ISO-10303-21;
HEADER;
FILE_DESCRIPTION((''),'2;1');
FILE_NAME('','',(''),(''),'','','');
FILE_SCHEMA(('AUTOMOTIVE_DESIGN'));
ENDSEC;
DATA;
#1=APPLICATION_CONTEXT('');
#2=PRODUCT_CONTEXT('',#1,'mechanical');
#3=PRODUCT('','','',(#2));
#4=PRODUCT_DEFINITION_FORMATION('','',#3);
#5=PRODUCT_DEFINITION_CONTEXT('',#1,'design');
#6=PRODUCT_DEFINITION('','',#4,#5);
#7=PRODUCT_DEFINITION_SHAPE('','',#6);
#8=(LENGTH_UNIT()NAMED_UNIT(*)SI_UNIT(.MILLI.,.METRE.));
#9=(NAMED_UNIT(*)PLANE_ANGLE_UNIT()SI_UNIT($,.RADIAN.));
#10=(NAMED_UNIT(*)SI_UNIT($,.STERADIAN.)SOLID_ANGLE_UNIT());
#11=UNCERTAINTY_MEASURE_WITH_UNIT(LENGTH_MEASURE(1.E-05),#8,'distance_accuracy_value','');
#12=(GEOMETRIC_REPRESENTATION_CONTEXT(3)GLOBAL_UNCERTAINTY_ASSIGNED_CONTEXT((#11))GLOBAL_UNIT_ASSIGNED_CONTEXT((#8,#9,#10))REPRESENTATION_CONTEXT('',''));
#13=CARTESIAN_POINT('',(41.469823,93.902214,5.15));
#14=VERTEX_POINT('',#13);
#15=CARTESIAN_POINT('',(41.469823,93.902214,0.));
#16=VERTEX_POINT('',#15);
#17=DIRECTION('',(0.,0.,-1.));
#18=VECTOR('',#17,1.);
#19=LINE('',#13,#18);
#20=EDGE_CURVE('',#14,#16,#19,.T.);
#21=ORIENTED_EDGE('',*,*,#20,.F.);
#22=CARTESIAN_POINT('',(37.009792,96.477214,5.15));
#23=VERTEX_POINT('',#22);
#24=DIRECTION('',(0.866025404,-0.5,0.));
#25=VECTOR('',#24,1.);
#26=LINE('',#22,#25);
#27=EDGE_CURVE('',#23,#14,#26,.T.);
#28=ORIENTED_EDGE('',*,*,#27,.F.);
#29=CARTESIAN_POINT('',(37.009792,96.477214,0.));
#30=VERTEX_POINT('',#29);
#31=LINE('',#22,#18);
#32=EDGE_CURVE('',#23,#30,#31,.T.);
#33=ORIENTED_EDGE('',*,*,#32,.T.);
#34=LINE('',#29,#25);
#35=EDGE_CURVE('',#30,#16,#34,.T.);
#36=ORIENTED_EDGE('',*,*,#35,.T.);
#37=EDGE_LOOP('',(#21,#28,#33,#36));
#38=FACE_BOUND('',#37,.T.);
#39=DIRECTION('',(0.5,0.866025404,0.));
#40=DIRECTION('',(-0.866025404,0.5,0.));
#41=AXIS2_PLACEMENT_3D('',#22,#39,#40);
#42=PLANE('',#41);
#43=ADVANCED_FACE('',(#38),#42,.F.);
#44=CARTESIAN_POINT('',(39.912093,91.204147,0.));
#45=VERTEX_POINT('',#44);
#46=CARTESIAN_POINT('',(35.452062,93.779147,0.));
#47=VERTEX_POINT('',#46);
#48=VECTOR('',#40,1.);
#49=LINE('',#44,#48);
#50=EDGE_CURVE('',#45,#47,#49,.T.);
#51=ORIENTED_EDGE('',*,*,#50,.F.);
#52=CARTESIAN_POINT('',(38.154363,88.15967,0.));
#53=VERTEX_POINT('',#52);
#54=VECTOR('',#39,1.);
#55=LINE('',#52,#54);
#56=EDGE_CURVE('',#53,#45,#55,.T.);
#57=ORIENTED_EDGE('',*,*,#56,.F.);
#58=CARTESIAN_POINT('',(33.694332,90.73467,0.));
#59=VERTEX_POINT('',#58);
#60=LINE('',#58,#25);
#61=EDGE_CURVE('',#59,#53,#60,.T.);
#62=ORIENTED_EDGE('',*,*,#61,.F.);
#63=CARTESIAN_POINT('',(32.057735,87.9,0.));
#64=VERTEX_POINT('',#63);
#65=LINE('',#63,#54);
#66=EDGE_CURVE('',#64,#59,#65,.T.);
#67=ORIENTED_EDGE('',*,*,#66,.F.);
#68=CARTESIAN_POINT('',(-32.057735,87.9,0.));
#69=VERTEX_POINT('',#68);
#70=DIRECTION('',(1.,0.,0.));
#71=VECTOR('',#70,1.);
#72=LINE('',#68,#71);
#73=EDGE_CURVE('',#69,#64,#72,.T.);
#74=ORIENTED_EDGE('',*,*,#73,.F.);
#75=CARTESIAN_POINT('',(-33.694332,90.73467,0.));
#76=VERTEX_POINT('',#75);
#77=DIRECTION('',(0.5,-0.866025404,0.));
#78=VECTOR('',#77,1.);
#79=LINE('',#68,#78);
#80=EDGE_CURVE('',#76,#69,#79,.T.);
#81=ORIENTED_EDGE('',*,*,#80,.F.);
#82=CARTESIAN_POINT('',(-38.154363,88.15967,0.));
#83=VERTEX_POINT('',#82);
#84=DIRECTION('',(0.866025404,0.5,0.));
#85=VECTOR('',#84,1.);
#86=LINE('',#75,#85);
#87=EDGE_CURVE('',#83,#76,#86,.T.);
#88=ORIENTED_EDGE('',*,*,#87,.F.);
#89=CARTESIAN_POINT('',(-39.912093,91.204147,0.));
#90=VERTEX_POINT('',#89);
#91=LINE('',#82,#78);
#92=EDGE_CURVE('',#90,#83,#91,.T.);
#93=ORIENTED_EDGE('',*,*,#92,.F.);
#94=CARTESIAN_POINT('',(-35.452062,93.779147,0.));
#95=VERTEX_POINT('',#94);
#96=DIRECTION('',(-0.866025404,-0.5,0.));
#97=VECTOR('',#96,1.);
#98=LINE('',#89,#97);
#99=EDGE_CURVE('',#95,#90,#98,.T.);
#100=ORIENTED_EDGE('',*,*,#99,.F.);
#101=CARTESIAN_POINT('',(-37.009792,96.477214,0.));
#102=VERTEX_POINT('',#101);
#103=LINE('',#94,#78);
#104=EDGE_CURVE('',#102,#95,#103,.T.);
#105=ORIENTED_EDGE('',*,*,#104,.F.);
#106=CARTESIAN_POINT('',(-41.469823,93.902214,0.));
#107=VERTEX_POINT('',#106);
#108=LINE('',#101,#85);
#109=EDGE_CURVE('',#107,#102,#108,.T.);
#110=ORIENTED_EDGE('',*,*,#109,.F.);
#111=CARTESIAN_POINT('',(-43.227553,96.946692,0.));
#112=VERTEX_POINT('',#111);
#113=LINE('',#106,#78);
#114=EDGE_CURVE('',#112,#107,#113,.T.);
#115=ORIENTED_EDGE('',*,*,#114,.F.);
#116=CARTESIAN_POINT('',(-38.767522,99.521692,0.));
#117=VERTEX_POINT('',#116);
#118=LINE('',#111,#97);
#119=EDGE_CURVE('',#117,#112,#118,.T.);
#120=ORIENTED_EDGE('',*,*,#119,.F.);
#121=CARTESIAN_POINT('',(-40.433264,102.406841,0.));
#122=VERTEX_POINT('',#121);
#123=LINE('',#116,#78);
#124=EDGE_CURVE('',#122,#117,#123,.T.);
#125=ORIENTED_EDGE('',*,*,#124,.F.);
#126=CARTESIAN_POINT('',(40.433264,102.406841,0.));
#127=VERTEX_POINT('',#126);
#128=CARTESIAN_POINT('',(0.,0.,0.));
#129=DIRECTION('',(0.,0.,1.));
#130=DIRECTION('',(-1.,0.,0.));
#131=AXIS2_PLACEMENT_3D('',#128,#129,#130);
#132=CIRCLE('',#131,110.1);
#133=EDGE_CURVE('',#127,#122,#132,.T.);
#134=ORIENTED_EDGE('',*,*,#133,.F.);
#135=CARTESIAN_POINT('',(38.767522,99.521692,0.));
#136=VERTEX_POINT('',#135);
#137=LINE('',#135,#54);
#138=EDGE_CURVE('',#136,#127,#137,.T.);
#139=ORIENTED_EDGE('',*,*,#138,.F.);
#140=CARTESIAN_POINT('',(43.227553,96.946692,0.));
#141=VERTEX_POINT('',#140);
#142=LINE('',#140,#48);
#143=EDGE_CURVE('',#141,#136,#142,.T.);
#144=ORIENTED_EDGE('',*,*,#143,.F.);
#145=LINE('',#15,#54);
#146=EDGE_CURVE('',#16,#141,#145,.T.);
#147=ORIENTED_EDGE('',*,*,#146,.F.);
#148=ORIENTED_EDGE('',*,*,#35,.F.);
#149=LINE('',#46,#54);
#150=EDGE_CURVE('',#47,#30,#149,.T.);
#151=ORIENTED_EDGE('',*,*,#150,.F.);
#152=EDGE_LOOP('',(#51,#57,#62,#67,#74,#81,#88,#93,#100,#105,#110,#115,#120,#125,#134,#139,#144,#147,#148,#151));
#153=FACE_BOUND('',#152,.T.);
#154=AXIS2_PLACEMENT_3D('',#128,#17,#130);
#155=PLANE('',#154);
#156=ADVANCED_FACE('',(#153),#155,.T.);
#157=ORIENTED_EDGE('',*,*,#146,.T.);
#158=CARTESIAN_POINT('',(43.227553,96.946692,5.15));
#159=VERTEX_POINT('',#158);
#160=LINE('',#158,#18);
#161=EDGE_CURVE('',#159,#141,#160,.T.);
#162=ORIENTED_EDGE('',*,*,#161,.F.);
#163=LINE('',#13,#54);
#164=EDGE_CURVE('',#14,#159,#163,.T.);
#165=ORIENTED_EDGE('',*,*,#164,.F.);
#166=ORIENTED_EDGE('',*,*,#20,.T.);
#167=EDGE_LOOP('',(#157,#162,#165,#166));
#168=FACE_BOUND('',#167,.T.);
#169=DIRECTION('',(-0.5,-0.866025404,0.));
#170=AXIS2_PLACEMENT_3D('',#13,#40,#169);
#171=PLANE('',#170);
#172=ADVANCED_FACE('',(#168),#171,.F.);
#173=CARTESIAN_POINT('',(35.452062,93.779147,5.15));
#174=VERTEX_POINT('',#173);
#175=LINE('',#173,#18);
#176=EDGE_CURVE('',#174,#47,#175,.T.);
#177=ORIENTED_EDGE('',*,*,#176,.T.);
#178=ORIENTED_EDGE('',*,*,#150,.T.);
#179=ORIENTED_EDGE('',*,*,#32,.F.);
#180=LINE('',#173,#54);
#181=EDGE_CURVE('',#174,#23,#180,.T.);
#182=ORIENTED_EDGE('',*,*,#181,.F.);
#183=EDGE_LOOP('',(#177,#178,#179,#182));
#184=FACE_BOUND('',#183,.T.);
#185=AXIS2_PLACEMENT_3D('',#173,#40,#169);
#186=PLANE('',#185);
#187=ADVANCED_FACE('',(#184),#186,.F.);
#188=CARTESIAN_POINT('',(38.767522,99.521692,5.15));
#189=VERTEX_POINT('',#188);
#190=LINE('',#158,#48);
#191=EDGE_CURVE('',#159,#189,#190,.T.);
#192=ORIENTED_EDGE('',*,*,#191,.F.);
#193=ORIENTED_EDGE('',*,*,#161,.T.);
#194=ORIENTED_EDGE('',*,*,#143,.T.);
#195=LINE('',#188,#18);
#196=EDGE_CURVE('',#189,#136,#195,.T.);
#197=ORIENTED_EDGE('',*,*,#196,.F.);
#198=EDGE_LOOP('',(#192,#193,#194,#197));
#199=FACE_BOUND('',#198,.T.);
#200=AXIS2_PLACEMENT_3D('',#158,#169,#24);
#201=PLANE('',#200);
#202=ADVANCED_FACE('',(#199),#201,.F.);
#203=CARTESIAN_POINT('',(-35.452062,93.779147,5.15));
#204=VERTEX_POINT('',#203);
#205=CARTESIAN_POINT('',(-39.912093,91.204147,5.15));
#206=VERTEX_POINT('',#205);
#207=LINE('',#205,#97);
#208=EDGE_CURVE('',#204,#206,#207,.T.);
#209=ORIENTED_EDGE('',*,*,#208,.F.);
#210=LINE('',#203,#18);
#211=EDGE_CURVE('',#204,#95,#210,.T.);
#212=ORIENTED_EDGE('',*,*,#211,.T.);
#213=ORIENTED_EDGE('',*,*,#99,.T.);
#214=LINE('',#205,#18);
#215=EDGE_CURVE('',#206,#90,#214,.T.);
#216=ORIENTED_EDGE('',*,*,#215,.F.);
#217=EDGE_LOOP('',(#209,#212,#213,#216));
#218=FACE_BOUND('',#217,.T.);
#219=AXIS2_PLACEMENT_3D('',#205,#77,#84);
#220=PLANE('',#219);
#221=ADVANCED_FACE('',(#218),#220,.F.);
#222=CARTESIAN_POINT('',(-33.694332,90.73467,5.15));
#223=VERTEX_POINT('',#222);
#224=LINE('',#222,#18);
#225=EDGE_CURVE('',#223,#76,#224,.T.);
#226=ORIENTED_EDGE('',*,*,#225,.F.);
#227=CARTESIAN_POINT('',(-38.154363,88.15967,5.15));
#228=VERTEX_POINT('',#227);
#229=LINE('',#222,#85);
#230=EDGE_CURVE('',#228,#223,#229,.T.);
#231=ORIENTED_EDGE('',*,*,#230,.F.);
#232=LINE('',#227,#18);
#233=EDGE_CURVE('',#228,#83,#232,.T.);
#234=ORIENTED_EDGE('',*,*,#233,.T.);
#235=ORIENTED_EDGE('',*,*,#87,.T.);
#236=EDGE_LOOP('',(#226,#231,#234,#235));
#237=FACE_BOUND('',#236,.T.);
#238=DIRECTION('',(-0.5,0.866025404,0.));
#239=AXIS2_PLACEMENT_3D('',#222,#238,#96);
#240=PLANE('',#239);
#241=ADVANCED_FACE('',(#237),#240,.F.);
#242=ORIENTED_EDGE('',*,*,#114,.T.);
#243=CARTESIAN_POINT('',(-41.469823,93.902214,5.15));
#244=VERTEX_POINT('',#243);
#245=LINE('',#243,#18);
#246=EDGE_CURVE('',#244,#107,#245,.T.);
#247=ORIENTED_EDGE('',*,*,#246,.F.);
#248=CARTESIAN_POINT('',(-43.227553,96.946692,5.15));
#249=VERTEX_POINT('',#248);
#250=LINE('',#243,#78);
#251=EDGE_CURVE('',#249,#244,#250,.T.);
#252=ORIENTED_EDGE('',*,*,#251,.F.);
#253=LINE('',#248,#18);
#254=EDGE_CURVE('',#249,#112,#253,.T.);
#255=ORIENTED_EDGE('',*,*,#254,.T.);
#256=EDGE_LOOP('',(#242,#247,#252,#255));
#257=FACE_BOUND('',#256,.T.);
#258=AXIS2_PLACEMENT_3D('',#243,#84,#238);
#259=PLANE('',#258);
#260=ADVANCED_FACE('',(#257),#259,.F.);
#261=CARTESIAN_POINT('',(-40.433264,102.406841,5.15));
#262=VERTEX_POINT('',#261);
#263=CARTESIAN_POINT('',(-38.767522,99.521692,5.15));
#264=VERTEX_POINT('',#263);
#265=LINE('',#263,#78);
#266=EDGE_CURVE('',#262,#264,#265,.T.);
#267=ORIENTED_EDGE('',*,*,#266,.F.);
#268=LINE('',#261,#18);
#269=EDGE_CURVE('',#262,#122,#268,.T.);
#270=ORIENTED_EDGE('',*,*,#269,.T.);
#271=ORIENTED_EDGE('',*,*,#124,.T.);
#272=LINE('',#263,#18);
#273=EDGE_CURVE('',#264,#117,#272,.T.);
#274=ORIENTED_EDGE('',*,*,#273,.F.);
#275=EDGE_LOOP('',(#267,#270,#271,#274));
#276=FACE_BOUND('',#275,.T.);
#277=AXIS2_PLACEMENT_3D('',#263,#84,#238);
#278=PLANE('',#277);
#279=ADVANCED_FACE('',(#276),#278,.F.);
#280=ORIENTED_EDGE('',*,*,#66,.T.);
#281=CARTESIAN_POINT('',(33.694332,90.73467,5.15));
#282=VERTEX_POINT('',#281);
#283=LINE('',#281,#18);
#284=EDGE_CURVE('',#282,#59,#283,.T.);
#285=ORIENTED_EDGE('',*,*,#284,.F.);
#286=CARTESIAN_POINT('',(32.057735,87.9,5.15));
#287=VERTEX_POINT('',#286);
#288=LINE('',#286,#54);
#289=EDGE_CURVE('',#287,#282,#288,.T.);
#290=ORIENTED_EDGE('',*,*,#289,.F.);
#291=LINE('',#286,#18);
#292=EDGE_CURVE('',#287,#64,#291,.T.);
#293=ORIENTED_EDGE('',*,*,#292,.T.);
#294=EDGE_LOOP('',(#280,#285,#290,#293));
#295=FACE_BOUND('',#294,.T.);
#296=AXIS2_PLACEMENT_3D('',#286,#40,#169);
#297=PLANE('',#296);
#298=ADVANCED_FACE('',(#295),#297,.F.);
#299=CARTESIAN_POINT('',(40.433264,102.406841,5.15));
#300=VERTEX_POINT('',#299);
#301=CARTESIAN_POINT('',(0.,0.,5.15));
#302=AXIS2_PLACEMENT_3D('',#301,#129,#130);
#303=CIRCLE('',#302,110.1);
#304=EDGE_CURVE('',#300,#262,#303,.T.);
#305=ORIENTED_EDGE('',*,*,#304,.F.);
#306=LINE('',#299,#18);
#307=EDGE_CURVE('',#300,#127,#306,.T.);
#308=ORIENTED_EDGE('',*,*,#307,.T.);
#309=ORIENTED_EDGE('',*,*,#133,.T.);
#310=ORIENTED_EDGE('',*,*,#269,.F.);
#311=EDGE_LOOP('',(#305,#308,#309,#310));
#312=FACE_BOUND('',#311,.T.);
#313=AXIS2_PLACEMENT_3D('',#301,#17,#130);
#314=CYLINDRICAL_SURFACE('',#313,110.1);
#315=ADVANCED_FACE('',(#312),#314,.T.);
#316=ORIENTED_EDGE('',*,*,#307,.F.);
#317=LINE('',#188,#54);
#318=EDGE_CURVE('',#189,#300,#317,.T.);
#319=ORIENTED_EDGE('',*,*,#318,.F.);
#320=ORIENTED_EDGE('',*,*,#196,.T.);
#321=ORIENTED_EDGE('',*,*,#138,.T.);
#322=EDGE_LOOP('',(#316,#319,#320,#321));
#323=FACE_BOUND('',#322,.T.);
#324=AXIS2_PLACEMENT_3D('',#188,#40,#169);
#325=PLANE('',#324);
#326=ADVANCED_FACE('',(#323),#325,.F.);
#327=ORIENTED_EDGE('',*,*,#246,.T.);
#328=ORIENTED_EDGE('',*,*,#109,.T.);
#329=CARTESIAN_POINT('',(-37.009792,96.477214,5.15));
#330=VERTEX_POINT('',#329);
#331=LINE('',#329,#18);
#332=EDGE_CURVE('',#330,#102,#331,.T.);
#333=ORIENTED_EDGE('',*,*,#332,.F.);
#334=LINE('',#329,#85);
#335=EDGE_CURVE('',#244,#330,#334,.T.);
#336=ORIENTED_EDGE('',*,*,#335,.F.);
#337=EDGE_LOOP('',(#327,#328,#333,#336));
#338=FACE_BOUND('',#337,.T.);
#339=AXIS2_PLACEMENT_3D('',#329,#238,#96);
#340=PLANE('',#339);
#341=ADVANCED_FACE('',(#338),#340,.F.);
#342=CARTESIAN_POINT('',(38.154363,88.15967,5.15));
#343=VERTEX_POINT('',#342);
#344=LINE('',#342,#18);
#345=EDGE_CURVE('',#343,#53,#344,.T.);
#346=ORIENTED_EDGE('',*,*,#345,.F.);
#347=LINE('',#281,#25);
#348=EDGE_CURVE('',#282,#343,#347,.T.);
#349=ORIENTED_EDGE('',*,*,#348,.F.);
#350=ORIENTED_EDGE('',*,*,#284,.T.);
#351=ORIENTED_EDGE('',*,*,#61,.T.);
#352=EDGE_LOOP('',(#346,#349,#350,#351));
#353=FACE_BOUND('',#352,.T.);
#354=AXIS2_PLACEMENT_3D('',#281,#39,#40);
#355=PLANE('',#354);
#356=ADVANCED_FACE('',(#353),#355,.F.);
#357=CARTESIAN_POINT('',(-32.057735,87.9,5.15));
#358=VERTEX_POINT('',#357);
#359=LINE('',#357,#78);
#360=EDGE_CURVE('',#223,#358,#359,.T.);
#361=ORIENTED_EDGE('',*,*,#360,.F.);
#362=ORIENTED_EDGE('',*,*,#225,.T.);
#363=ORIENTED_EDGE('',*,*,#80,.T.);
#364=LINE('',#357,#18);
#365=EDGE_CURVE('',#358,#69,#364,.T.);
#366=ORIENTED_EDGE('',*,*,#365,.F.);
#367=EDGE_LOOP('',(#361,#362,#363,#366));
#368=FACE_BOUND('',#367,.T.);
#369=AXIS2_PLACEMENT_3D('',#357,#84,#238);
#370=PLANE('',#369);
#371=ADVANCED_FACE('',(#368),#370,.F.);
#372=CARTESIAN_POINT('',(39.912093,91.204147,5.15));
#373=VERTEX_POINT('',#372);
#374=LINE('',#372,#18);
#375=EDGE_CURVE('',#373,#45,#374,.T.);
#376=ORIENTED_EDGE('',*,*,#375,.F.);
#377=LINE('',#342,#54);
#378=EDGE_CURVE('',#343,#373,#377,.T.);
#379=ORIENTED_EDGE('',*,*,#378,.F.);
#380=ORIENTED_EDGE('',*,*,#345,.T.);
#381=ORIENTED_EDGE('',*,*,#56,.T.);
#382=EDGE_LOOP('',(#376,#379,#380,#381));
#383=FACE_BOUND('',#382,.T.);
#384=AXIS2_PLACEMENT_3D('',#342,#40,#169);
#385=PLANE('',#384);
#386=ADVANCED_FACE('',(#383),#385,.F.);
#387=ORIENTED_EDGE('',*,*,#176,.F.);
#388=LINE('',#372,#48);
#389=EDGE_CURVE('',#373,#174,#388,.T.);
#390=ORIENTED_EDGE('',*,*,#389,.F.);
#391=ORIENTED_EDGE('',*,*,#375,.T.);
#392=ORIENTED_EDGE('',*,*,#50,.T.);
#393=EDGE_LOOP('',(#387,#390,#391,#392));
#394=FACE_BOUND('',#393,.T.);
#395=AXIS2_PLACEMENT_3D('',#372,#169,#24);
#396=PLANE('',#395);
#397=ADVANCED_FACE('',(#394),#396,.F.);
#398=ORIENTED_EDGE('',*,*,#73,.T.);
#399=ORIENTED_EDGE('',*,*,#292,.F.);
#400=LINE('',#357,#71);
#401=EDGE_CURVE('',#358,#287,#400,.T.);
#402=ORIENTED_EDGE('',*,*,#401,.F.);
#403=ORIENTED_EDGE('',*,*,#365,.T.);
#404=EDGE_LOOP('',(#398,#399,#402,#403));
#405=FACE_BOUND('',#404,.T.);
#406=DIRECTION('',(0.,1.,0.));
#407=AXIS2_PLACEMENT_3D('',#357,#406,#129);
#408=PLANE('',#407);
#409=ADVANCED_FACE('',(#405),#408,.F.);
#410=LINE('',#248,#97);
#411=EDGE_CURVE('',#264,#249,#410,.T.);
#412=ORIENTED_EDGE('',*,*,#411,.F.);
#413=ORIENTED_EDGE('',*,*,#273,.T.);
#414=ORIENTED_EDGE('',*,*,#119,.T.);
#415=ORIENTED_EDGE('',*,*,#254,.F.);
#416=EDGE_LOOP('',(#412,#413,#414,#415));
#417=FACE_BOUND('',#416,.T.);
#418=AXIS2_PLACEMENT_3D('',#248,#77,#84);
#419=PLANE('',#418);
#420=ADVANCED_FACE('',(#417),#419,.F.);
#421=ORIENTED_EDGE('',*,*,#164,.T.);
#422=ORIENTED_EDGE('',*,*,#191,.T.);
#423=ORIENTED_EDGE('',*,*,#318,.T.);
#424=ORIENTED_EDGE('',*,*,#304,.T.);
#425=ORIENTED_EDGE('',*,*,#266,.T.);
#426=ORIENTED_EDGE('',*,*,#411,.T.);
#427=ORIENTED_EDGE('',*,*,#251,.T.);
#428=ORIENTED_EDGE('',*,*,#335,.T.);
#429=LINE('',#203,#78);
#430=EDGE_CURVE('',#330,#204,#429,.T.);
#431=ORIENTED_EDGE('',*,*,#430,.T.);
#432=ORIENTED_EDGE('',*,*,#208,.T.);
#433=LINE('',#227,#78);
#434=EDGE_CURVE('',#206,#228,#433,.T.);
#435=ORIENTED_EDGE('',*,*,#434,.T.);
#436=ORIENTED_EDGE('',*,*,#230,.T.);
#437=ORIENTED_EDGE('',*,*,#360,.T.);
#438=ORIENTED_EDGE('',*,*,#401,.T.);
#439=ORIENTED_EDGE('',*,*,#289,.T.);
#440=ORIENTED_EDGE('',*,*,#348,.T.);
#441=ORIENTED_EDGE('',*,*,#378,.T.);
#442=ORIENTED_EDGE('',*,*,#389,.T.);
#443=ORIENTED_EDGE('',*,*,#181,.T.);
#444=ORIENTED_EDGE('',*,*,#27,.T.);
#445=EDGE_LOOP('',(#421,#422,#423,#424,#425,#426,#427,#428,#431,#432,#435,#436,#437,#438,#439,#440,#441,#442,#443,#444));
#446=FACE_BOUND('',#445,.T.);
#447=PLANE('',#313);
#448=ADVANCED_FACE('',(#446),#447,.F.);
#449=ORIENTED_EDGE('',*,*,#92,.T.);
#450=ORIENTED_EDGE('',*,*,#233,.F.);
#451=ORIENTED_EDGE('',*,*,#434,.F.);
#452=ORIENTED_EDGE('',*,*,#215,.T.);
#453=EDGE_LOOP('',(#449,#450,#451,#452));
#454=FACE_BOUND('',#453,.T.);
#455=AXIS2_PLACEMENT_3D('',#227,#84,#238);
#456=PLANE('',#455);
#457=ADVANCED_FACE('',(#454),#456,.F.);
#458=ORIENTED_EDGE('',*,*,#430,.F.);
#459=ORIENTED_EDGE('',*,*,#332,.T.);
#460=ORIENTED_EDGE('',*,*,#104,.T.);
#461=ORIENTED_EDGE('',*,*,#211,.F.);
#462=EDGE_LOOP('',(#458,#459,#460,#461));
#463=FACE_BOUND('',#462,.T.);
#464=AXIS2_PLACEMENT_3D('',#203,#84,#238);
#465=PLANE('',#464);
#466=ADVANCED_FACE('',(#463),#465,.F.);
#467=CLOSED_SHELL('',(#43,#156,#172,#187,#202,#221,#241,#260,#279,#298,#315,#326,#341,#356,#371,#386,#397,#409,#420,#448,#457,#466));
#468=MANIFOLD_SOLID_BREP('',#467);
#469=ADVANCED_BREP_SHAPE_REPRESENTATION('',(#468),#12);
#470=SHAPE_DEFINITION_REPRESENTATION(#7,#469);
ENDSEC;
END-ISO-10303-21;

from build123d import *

# Parameters (mm, degrees)
BOSS_EXTRUDE1_DEPTH = 5.15


with BuildPart() as part:
    # Sketch1 → Boss-Extrude1 (new body)
    with BuildSketch(Plane.XY):
        with BuildLine():
            Line((-32.057735027, 87.9), (32.057735027, 87.9))
            Line((32.057735027, 87.9), (33.694332379, 90.734669766))
            Line((33.694332379, 90.734669766), (38.154363209, 88.159669766))
            Line((38.154363209, 88.159669766), (39.912093048, 91.204147153))
            Line((39.912093048, 91.204147153), (35.452062218, 93.779147153))
            Line((35.452062218, 93.779147153), (37.009792057, 96.477214379))
            Line((37.009792057, 96.477214379), (41.469822887, 93.902214379))
            Line((41.469822887, 93.902214379), (43.227552726, 96.946691766))
            Line((43.227552726, 96.946691766), (38.767521896, 99.521691766))
            Line((38.767521896, 99.521691766), (40.433263841, 102.406841447))
            ThreePointArc((40.433263841, 102.406841447), (0, 110.1), (-40.433263841, 102.406841447))
            Line((-40.433263841, 102.406841447), (-38.767521896, 99.521691766))
            Line((-38.767521896, 99.521691766), (-43.227552726, 96.946691766))
            Line((-43.227552726, 96.946691766), (-41.469822887, 93.902214379))
            Line((-41.469822887, 93.902214379), (-37.009792057, 96.477214379))
            Line((-37.009792057, 96.477214379), (-35.452062218, 93.779147153))
            Line((-35.452062218, 93.779147153), (-39.912093048, 91.204147153))
            Line((-39.912093048, 91.204147153), (-38.154363209, 88.159669766))
            Line((-38.154363209, 88.159669766), (-33.694332379, 90.734669766))
            Line((-33.694332379, 90.734669766), (-32.057735027, 87.9))
        make_face()
    extrude(amount=BOSS_EXTRUDE1_DEPTH)


solid = part.part
